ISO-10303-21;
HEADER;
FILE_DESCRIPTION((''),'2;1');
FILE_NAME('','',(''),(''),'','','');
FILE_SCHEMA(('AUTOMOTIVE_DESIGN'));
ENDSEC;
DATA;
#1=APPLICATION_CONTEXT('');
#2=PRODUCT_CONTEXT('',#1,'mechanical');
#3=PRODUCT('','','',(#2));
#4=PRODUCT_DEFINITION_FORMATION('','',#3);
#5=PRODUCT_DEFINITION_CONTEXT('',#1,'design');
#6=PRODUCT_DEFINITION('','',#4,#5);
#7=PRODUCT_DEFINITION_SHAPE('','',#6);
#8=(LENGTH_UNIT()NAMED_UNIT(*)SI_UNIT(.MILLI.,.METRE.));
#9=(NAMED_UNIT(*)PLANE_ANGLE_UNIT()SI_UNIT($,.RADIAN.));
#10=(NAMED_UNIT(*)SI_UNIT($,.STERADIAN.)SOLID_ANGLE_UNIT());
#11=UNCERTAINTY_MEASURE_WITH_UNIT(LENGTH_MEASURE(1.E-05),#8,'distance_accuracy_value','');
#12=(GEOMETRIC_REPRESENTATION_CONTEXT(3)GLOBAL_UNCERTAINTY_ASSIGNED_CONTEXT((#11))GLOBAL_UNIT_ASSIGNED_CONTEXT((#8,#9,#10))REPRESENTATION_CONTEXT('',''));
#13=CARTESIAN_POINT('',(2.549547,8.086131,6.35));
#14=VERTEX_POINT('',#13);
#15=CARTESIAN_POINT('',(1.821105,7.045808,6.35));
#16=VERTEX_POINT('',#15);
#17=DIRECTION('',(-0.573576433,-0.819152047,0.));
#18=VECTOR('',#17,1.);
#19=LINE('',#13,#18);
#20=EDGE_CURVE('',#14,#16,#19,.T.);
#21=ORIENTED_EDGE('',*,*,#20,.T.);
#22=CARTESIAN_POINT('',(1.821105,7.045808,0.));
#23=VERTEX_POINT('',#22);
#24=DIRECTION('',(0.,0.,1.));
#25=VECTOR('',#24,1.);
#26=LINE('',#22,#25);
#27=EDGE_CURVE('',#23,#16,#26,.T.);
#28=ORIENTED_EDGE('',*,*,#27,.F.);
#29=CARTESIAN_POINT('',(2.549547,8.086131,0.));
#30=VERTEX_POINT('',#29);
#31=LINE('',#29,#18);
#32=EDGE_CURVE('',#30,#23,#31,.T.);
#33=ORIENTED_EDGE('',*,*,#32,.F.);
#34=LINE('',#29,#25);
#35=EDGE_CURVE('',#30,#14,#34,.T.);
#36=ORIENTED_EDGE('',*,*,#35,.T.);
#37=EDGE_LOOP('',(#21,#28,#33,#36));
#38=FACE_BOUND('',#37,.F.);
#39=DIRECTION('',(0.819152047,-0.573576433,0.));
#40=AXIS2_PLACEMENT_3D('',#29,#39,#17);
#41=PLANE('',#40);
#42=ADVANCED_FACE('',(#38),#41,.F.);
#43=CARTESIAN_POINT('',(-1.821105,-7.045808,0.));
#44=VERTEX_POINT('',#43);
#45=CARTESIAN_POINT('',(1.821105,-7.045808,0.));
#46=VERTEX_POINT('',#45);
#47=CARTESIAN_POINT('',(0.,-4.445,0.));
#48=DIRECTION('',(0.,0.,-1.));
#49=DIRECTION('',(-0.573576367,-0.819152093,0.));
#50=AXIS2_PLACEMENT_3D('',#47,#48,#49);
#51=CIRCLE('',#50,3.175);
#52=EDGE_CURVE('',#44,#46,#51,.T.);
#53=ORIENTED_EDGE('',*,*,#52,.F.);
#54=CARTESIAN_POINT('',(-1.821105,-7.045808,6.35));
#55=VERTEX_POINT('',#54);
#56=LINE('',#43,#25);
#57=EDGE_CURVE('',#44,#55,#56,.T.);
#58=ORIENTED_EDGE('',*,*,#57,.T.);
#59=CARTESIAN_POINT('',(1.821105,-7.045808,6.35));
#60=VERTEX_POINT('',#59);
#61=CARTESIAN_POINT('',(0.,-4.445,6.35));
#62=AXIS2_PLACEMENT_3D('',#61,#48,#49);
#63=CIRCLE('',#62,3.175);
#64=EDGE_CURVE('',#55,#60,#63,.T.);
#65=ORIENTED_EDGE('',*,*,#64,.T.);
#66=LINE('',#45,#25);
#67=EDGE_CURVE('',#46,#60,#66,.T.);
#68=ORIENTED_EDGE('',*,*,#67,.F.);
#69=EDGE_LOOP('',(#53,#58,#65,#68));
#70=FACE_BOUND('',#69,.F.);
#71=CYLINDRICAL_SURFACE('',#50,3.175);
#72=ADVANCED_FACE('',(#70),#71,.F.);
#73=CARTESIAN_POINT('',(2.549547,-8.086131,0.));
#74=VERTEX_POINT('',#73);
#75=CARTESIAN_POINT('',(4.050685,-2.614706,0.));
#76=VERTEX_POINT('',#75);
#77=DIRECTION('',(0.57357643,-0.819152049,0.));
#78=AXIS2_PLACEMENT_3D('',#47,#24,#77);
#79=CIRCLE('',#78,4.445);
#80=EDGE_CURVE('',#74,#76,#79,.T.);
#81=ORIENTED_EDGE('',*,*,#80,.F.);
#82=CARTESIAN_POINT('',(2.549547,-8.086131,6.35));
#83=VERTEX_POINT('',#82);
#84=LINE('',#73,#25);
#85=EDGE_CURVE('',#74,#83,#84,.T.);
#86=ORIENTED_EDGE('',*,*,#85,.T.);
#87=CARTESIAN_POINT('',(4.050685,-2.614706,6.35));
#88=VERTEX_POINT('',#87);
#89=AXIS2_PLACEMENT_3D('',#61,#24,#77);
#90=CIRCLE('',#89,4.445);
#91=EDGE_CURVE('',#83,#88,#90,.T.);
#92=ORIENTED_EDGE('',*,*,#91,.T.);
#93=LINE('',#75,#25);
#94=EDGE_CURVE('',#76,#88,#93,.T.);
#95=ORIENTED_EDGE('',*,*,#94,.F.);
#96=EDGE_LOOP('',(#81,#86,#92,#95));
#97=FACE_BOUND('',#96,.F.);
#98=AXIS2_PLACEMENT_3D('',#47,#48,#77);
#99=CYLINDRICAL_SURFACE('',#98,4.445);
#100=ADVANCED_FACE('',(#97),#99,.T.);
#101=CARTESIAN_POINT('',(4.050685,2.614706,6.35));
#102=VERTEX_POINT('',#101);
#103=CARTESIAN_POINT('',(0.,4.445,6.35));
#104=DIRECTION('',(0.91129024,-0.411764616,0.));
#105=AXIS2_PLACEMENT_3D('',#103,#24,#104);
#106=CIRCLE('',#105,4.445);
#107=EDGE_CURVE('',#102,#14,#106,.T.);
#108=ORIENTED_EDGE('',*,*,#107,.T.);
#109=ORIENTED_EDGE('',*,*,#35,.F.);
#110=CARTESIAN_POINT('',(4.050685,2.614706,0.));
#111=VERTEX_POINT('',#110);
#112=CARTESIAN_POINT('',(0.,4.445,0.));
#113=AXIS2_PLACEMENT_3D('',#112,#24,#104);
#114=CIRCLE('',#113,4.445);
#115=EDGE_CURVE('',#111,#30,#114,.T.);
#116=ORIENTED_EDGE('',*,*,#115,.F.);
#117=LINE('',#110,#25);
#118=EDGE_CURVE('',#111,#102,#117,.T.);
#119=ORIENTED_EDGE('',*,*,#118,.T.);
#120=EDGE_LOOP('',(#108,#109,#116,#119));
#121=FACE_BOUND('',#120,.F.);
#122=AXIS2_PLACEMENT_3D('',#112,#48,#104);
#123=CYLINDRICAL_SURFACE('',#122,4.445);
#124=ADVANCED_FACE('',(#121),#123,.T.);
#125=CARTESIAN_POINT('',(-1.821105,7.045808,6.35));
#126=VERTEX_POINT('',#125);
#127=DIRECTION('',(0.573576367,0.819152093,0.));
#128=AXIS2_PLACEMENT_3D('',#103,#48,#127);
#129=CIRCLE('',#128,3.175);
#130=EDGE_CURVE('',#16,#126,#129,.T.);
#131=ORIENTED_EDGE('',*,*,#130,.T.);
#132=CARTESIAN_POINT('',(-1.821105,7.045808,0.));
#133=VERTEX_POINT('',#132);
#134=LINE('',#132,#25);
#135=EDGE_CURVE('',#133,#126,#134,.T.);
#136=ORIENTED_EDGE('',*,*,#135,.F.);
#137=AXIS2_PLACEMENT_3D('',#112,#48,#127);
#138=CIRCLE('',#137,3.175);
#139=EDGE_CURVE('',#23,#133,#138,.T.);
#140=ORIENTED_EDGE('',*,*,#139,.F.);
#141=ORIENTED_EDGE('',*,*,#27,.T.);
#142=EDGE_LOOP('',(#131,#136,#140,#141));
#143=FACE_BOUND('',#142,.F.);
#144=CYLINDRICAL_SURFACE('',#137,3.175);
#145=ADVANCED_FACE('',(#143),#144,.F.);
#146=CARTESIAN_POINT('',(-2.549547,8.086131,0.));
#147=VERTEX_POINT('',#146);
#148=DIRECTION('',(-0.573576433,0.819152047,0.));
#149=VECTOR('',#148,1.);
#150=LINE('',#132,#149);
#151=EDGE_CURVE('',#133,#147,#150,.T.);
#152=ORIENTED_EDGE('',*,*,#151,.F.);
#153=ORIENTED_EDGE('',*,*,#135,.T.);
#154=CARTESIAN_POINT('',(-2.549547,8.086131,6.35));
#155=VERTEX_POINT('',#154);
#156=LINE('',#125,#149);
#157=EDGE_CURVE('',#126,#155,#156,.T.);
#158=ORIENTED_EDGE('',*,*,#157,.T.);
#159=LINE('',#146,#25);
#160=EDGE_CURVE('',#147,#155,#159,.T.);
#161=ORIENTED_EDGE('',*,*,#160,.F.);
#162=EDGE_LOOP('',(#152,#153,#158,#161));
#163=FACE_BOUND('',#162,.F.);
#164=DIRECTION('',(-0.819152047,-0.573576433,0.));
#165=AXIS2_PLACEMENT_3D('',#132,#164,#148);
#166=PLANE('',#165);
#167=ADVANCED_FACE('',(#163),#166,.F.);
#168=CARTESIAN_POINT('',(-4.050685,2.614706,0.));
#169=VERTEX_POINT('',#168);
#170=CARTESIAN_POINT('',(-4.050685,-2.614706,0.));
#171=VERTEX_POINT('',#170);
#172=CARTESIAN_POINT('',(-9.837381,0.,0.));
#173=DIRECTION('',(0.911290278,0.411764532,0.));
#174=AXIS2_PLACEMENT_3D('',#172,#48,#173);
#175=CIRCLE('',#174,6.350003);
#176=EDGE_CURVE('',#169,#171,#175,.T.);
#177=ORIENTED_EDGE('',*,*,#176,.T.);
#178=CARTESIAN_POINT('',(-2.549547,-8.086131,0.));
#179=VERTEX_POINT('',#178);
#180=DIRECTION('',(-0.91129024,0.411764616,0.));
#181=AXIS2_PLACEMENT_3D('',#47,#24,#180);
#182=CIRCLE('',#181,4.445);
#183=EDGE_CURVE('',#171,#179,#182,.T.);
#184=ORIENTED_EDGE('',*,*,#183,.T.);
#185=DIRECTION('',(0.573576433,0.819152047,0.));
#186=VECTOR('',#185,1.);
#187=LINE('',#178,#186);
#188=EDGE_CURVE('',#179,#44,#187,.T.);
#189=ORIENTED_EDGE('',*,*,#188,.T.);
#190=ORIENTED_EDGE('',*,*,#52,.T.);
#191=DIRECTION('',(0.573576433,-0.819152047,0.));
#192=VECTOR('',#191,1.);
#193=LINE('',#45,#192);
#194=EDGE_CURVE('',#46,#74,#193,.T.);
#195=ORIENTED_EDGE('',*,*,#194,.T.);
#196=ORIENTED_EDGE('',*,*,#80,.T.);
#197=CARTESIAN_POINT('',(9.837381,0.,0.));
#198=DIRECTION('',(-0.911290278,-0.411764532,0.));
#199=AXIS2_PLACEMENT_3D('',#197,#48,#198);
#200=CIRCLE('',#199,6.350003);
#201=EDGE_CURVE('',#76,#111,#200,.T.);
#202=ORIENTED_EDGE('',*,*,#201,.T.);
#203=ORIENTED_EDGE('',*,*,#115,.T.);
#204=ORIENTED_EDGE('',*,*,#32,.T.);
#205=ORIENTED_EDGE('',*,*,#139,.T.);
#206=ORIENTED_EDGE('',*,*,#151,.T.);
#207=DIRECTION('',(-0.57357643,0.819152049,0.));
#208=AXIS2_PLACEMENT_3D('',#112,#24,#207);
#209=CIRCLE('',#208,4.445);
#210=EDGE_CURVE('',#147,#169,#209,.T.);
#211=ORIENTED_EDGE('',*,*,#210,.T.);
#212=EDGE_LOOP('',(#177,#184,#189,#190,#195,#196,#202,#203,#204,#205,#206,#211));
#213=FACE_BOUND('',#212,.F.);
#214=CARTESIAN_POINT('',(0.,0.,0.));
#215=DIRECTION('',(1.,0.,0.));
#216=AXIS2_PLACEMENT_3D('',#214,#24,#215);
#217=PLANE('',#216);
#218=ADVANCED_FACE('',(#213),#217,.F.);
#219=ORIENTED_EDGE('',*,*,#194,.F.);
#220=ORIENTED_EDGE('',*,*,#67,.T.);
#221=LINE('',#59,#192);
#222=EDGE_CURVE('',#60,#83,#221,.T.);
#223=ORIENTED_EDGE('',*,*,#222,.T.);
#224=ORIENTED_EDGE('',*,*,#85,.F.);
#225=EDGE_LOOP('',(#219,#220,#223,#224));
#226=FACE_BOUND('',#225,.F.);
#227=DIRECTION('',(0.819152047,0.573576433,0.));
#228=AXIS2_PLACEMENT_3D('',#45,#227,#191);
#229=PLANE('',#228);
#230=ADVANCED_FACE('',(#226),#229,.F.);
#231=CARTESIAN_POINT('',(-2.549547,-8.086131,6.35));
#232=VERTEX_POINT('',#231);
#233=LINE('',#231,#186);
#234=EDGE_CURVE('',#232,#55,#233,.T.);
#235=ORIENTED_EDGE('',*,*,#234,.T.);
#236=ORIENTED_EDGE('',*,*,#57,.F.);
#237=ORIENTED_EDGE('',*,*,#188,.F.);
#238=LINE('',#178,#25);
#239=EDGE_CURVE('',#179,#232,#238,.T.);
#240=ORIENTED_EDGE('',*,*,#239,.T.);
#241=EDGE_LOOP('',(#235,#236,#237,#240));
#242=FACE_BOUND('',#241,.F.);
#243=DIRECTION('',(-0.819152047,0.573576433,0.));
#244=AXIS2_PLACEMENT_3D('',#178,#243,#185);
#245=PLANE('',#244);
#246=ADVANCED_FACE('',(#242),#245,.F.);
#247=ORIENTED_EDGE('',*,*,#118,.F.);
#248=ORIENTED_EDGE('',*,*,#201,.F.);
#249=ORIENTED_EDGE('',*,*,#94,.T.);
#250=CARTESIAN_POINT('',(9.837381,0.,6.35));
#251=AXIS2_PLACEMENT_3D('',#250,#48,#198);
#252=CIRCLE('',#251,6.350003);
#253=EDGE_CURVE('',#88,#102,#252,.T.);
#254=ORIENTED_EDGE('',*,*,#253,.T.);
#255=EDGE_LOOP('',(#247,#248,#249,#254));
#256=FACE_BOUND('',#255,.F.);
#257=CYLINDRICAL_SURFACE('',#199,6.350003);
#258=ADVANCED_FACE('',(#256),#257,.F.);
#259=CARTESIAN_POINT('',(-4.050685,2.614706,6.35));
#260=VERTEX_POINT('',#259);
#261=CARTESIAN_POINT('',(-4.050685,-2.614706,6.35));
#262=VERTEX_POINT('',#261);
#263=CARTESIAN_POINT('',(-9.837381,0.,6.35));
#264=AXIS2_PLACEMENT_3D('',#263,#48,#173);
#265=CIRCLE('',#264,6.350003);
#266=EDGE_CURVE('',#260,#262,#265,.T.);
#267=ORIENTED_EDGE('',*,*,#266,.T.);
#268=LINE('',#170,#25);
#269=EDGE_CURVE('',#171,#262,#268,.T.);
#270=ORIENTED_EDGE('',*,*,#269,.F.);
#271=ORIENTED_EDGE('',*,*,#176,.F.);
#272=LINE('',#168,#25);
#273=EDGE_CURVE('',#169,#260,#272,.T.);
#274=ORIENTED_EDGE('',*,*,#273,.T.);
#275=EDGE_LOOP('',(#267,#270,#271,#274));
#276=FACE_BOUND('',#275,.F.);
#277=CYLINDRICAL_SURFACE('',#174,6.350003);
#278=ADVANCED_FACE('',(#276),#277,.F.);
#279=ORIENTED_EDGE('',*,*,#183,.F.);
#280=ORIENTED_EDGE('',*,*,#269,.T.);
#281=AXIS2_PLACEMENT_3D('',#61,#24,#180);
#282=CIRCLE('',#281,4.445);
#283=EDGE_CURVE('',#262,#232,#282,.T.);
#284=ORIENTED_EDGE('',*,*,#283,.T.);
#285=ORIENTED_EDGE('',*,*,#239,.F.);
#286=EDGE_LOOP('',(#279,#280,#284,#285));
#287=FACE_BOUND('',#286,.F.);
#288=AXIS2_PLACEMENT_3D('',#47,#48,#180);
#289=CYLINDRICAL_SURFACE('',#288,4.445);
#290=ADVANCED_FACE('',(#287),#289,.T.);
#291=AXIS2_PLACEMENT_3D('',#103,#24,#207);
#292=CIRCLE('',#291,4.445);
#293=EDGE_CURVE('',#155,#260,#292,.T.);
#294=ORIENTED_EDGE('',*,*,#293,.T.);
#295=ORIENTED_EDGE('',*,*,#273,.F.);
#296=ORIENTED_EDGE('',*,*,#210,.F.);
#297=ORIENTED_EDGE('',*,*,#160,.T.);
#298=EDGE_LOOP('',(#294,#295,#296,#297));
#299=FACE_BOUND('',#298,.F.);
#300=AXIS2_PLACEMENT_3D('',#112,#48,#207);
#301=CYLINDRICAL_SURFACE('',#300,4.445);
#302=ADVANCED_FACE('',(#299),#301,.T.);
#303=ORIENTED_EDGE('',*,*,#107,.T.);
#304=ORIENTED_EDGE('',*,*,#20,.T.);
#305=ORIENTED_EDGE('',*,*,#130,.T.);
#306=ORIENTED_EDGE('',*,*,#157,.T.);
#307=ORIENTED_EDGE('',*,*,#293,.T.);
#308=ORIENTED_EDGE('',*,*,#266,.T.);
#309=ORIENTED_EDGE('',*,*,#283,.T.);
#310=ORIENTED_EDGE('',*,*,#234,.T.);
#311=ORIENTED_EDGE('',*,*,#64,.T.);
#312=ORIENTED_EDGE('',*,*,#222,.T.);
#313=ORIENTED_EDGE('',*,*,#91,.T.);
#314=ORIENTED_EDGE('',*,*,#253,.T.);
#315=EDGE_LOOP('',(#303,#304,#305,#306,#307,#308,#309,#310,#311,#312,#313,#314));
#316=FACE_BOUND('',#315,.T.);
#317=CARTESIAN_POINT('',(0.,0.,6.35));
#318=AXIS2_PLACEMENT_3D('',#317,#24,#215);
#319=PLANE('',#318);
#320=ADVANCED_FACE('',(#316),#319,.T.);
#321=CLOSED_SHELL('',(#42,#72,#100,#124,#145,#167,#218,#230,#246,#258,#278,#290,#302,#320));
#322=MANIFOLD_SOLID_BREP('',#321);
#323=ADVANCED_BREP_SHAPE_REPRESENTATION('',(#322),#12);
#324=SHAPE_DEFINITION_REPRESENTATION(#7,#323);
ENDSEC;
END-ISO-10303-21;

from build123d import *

# Parameters (mm, degrees)
F1_DEPTH = 6.35


with BuildPart() as f1:
    # F0 (on Top) → F1 (new body)
    with BuildSketch(Plane.XY):
        with BuildLine():
            ThreePointArc((1.821105, 7.045808), (0, 1.27), (-1.821105, 7.045808))
            Line((-1.821105, 7.045808), (-2.549547, 8.086131))
            ThreePointArc((-2.549547, 8.086131), (-4.286594, 5.621068), (-4.050685, 2.614706))
            ThreePointArc((-4.050685, 2.614706), (-3.487378, 0), (-4.050685, -2.614706))
            ThreePointArc((-4.050685, -2.614706), (-4.286594, -5.621068), (-2.549547, -8.086131))
            Line((-2.549547, -8.086131), (-1.821105, -7.045808))
            ThreePointArc((-1.821105, -7.045808), (0, -1.27), (1.821105, -7.045808))
            Line((1.821105, -7.045808), (2.549547, -8.086131))
            ThreePointArc((2.549547, -8.086131), (4.286594, -5.621068), (4.050685, -2.614706))
            ThreePointArc((4.050685, -2.614706), (3.487378, 0), (4.050685, 2.614706))
            ThreePointArc((4.050685, 2.614706), (4.286594, 5.621068), (2.549547, 8.086131))
            Line((2.549547, 8.086131), (1.821105, 7.045808))
        make_face()
    extrude(amount=F1_DEPTH)


solid = f1.part
